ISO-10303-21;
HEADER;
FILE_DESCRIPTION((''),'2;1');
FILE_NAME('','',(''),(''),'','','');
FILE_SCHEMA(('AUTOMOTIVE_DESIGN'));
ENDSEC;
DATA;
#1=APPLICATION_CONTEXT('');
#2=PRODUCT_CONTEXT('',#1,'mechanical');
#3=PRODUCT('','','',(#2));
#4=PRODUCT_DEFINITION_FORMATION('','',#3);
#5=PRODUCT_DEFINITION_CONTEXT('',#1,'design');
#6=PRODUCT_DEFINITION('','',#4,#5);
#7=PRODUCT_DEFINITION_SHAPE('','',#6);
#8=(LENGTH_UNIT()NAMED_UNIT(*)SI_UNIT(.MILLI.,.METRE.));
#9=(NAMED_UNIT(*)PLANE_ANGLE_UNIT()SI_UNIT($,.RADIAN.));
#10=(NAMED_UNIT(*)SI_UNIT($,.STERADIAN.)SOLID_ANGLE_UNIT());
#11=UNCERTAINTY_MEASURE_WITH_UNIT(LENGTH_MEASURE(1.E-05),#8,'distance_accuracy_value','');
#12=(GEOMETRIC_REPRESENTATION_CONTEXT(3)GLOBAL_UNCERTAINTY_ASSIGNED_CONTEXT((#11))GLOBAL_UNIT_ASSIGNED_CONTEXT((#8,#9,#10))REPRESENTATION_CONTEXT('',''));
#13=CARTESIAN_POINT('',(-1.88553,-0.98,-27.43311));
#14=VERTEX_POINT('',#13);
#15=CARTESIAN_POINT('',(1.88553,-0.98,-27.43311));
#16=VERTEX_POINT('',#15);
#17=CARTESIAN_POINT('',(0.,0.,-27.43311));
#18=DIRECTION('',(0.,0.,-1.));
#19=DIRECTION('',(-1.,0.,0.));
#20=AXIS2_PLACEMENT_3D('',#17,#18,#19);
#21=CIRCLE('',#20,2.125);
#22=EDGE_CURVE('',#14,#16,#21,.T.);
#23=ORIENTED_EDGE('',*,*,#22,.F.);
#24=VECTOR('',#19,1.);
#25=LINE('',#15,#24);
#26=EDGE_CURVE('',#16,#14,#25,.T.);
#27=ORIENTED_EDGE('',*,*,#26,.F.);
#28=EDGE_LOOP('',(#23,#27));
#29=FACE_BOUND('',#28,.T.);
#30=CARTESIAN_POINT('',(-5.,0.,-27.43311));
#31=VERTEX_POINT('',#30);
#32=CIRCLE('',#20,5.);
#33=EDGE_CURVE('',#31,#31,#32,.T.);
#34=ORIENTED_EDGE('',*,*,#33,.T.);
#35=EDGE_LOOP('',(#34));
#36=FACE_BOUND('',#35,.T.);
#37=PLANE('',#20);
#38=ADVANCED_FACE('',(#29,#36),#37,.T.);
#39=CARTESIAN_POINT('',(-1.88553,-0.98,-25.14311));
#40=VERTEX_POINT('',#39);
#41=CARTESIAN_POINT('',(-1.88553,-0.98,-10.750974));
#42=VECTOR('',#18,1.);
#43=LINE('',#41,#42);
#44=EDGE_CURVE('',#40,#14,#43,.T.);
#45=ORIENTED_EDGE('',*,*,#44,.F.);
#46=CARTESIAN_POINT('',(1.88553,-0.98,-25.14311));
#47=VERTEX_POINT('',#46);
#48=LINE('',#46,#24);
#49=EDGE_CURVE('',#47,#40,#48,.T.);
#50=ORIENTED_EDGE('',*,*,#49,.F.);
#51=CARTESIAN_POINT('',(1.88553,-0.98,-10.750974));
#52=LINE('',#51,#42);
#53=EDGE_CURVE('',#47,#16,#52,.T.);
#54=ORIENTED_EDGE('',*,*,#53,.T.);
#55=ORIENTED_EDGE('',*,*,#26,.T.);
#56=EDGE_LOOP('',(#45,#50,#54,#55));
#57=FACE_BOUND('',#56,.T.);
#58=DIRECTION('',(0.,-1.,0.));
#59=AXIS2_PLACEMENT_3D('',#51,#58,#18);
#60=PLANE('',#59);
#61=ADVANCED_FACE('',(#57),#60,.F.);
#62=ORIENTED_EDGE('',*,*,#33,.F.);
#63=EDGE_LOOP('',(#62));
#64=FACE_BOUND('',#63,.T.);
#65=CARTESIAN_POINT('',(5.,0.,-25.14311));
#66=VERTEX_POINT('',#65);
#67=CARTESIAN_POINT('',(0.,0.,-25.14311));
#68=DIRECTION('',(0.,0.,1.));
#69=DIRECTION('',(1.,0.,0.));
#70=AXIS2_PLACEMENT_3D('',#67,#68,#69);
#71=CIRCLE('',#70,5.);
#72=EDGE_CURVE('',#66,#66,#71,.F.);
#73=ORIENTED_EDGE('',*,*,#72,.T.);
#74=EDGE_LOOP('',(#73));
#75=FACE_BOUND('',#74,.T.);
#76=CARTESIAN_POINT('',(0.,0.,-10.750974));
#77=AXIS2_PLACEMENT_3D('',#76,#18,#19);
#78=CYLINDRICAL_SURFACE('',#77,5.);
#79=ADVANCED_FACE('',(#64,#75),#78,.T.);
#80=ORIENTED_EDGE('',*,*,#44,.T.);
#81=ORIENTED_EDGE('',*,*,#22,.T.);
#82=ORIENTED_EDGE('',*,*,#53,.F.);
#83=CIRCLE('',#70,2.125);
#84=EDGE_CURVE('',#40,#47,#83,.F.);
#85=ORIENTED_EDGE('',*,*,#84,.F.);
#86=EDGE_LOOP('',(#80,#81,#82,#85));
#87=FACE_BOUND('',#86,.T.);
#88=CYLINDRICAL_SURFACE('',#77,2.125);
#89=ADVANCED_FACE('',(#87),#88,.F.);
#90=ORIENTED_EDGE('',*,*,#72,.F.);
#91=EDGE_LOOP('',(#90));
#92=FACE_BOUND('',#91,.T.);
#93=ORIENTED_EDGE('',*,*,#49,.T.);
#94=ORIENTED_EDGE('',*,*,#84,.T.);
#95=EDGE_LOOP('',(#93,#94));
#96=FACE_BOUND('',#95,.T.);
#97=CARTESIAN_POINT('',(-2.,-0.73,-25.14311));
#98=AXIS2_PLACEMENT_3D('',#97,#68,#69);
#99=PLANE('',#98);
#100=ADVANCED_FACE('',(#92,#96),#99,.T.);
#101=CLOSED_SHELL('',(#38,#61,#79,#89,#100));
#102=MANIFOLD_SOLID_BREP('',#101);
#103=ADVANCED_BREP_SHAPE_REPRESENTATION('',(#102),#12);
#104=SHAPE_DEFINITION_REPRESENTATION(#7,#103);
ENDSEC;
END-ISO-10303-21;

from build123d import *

# Parameters (mm, degrees)
SKETCH1_R           = 5
BOSS_EXTRUDE1_DEPTH = 2.29


with BuildPart() as part:
    # Sketch1 → Boss-Extrude1 (new body)
    with BuildSketch(Plane(origin=(0, 0, -27.433110106), x_dir=(-1, 0, 0), z_dir=(0, 0, -1))):
        Circle(SKETCH1_R)
        with BuildLine():
            Line((-1.885530429, -0.98), (1.885530429, -0.98))
            ThreePointArc((1.885530429, -0.98), (0, 2.125), (-1.885530429, -0.98))
        make_face(mode=Mode.SUBTRACT)
    extrude(amount=-BOSS_EXTRUDE1_DEPTH)


solid = part.part
